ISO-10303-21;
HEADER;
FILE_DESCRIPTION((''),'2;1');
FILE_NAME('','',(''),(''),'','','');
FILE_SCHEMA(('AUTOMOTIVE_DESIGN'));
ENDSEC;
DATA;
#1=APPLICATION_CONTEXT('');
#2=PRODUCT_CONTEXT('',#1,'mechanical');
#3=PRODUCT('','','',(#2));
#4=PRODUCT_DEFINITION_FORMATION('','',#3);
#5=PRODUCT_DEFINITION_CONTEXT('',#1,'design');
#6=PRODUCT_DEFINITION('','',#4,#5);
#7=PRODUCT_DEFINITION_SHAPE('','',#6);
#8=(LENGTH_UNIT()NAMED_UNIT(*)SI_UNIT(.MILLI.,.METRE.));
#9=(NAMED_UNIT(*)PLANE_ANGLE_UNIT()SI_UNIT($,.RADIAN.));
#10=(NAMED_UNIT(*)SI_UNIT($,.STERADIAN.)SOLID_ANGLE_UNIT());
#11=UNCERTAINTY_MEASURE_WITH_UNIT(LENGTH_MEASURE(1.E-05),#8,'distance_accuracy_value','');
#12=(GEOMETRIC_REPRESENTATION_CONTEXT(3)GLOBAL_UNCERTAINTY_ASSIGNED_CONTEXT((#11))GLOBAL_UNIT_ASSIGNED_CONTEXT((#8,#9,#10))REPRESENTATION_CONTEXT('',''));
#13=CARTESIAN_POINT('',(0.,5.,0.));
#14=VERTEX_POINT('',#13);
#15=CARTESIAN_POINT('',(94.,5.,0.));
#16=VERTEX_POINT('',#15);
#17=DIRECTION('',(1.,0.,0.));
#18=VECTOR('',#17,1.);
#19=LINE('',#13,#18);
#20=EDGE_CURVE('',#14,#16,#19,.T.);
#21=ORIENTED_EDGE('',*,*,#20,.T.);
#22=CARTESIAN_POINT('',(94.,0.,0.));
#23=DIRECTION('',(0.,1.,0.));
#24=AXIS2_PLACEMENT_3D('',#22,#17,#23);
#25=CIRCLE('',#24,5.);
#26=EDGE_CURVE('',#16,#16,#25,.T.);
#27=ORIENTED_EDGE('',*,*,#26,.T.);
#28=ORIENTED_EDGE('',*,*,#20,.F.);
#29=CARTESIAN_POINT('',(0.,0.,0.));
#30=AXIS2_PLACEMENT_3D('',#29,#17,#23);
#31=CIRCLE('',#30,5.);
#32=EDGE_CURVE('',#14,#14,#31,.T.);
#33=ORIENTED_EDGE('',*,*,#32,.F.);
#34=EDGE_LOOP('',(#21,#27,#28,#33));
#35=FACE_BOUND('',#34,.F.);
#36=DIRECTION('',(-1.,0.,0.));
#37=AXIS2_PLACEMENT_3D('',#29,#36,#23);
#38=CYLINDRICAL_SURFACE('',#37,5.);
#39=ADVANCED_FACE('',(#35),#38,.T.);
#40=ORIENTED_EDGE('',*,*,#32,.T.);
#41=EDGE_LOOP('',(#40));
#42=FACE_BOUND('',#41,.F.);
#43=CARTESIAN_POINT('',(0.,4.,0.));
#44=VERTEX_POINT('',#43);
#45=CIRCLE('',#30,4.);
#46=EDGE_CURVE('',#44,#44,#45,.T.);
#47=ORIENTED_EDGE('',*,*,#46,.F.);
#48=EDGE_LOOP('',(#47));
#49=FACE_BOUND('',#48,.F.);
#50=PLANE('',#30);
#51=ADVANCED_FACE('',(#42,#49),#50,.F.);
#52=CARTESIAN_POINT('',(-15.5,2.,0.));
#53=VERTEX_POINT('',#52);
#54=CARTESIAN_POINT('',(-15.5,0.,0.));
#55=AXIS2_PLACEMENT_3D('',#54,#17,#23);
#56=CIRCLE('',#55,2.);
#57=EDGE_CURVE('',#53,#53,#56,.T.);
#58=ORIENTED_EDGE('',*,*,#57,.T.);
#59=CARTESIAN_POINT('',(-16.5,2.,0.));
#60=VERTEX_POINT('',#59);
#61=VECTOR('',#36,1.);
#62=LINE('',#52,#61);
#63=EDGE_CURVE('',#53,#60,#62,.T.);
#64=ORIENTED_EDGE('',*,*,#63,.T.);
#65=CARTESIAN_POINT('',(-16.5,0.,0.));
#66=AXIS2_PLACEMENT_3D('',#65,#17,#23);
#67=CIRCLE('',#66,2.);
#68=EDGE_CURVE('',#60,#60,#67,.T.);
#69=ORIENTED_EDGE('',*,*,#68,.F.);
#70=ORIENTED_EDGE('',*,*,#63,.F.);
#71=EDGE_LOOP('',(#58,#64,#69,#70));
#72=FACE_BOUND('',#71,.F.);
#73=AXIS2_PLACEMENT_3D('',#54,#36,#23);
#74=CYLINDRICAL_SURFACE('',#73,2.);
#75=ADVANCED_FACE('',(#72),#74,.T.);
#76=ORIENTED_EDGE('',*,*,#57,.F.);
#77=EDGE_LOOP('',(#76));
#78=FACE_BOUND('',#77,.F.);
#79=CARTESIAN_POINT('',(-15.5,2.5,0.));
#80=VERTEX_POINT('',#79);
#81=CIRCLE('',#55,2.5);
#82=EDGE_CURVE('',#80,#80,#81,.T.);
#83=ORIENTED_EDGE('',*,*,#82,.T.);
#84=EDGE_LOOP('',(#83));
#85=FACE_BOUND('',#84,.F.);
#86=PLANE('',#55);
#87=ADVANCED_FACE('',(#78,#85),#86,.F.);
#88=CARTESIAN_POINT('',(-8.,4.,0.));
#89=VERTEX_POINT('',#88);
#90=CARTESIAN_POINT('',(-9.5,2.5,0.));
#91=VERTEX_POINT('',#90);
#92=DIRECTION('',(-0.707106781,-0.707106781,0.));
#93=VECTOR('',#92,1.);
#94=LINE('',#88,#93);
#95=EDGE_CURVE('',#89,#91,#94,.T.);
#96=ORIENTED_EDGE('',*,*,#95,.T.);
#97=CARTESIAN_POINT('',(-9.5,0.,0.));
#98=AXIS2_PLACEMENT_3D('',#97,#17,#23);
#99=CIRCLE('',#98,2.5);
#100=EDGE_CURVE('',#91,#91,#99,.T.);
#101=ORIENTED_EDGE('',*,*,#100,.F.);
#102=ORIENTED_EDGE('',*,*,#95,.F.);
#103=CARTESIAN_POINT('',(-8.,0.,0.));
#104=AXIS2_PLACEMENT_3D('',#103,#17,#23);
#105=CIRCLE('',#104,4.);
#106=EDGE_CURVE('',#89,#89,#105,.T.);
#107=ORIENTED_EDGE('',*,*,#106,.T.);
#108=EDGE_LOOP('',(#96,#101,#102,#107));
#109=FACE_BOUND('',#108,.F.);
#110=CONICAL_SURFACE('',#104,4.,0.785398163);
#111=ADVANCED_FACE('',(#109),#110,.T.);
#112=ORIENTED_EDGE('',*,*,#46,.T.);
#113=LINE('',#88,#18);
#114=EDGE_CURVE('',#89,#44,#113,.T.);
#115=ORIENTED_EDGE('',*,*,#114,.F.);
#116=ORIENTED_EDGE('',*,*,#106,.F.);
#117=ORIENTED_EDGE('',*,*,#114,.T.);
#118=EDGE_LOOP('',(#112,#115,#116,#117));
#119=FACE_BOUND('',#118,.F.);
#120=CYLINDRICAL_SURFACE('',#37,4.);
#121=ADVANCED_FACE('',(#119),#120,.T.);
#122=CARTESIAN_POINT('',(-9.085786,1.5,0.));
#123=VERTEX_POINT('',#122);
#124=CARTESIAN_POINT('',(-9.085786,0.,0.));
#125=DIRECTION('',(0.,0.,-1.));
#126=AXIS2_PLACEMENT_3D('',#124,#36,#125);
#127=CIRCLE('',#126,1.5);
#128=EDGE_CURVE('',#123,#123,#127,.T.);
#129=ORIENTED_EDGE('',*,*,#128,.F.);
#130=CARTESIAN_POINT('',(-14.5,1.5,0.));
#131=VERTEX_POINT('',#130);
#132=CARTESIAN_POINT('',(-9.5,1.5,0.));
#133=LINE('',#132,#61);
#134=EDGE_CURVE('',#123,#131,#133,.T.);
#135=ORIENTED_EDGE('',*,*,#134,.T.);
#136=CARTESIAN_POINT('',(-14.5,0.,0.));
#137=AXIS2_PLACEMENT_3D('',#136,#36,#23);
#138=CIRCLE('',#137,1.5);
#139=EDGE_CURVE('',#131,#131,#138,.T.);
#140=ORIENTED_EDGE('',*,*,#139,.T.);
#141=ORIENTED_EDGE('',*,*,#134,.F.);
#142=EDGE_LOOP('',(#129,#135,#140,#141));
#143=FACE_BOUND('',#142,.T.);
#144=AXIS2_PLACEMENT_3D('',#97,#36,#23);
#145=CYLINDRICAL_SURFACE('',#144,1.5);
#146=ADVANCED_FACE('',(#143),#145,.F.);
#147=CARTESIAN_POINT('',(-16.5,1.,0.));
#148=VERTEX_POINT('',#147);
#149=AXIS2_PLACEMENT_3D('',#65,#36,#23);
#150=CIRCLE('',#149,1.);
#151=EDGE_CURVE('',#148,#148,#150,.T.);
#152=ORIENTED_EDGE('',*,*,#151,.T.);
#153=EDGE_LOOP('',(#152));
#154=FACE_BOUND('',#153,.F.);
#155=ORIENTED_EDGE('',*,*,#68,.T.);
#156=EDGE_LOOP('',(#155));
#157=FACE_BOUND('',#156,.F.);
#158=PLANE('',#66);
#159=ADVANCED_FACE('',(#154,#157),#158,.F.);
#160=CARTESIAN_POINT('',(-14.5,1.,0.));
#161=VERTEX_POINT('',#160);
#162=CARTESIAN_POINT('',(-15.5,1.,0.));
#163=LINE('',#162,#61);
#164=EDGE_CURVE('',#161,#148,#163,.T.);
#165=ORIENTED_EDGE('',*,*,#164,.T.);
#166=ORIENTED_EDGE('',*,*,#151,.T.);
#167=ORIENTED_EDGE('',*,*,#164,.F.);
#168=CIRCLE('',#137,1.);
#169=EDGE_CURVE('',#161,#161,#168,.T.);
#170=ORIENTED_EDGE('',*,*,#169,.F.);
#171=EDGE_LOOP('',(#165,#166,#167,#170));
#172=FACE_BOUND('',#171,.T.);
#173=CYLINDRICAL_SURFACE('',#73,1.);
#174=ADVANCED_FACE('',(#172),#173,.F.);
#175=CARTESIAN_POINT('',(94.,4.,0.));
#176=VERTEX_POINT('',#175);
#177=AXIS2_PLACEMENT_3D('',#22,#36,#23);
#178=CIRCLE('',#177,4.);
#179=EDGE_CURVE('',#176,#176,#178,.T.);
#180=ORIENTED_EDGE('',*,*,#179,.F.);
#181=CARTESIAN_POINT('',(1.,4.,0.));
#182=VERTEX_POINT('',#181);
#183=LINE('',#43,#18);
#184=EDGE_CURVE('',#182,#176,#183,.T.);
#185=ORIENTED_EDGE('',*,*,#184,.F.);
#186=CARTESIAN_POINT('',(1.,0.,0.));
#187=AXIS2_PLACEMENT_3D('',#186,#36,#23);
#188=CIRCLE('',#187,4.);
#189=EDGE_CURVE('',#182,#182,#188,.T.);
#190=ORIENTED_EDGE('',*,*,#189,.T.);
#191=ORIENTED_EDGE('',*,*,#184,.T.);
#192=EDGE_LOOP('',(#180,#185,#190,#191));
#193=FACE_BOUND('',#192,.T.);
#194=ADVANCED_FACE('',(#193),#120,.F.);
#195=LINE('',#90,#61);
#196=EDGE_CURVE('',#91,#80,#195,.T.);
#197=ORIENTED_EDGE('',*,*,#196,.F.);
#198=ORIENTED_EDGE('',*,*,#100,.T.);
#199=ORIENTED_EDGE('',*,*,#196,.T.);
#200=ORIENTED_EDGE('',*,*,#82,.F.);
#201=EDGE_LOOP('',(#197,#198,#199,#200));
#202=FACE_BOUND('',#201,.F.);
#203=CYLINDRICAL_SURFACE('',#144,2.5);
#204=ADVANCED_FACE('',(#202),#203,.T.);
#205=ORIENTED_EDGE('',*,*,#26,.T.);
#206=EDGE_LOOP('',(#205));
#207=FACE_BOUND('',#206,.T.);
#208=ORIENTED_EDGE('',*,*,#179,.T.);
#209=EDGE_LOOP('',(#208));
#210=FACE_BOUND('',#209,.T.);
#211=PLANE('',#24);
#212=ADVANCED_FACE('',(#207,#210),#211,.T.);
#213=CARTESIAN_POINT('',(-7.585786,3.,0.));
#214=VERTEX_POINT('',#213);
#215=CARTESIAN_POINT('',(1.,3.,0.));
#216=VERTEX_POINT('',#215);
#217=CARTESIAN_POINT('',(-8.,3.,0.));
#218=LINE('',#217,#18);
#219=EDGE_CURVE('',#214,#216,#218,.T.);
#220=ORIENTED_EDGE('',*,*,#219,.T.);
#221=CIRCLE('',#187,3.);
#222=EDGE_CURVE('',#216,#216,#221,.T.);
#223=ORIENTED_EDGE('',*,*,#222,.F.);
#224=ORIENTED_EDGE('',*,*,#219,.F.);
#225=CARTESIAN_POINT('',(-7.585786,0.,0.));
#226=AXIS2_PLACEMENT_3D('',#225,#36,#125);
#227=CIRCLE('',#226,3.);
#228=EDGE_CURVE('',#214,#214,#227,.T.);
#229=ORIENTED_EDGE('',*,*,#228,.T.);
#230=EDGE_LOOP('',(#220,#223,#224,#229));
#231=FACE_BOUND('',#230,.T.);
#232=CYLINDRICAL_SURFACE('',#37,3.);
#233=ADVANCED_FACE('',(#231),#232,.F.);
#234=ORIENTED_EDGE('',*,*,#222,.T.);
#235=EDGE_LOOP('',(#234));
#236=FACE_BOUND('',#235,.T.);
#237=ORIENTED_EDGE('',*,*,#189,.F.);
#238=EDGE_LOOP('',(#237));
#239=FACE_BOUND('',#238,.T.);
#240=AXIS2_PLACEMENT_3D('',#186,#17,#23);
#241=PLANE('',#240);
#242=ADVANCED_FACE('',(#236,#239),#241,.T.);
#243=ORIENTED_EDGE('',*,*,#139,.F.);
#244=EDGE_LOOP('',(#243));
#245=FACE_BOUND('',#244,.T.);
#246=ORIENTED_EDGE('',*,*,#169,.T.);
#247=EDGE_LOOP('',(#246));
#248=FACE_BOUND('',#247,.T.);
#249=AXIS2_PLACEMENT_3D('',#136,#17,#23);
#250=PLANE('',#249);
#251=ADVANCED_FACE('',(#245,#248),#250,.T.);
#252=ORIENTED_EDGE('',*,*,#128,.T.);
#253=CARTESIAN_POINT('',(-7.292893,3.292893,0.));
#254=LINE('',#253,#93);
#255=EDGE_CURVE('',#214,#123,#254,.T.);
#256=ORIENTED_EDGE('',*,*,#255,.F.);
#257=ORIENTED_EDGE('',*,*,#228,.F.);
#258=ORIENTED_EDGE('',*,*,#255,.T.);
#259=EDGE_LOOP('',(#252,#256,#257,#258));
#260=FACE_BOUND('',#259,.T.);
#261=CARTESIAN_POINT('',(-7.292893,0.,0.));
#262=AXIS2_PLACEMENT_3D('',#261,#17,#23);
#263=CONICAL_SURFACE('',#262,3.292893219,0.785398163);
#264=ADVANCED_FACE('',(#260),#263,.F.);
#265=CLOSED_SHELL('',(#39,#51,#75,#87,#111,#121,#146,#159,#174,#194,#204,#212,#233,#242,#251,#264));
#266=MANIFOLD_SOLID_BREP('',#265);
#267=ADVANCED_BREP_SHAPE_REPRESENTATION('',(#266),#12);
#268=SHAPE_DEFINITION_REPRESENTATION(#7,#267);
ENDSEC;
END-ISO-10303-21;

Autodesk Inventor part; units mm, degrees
ref_plane "YZ Plane" through (0, 0, 0) normal (1, 0, 0) x (0, 1, 0)
ref_plane "XZ Plane" through (0, 0, 0) normal (0, 1, 0) x (-1, 0, 0)
ref_plane "XY Plane" through (0, 0, 0) normal (0, 0, 1) x (1, 0, 0)
sketch "草图1" plane through (0, 0, 0) normal (1, 0, 0) x (0, 1, 0)
  circle A0 centre (0, 0) radius 5
  dimension "d0" = 10
extrude "body" add sketch "草图1" along normal blind 94
sketch "草图2" plane through (0, 0, 0) normal (0, 0, 1) x (1, 0, 0)
  line L0 (0, 0) -> (0, 4)
  line L1 (0, 5) -> (0, -5) projected
  line L2 (0, 4) -> (-2, 4)
  line L3 (-2, 4) -> (-4, 4)
  line L4 (-4, 4) -> (-8, 4)
  line L5 (-8, 4) -> (-9.5, 2.5)
  line L6 (-9.5, 2.5) -> (-15.5, 2.5)
  line L7 (-15.5, 2.5) -> (-15.5, 2)
  line L8 (-15.5, 2) -> (-16.5, 2)
  line L9 (-16.5, 2) -> (-16.5, 0)
  line L10 (-18.0565, 0) -> (1.4122, 0)
  line L11 (-16.5, 0) -> (0, 0)
  dimension "d3" = 4
  dimension "d4" = 2
  dimension "d5" = 2
  dimension "d6" = 4
  dimension "d9" = 1.5
  dimension "d10" = 1.5
  dimension "d11" = 6
  dimension "d12" = 0.5
  dimension "d13" = 1
revolve "旋转1" add sketch "草图2" angle 360 about axis through (-18.0565, 0, 0) along (1, 0, 0)
shell "抽壳1" thickness 1 removed faces 2 at (94, -0.591, 1.5584) at (-16.5, 0.343, 0.4805)
properties part number "pen"
